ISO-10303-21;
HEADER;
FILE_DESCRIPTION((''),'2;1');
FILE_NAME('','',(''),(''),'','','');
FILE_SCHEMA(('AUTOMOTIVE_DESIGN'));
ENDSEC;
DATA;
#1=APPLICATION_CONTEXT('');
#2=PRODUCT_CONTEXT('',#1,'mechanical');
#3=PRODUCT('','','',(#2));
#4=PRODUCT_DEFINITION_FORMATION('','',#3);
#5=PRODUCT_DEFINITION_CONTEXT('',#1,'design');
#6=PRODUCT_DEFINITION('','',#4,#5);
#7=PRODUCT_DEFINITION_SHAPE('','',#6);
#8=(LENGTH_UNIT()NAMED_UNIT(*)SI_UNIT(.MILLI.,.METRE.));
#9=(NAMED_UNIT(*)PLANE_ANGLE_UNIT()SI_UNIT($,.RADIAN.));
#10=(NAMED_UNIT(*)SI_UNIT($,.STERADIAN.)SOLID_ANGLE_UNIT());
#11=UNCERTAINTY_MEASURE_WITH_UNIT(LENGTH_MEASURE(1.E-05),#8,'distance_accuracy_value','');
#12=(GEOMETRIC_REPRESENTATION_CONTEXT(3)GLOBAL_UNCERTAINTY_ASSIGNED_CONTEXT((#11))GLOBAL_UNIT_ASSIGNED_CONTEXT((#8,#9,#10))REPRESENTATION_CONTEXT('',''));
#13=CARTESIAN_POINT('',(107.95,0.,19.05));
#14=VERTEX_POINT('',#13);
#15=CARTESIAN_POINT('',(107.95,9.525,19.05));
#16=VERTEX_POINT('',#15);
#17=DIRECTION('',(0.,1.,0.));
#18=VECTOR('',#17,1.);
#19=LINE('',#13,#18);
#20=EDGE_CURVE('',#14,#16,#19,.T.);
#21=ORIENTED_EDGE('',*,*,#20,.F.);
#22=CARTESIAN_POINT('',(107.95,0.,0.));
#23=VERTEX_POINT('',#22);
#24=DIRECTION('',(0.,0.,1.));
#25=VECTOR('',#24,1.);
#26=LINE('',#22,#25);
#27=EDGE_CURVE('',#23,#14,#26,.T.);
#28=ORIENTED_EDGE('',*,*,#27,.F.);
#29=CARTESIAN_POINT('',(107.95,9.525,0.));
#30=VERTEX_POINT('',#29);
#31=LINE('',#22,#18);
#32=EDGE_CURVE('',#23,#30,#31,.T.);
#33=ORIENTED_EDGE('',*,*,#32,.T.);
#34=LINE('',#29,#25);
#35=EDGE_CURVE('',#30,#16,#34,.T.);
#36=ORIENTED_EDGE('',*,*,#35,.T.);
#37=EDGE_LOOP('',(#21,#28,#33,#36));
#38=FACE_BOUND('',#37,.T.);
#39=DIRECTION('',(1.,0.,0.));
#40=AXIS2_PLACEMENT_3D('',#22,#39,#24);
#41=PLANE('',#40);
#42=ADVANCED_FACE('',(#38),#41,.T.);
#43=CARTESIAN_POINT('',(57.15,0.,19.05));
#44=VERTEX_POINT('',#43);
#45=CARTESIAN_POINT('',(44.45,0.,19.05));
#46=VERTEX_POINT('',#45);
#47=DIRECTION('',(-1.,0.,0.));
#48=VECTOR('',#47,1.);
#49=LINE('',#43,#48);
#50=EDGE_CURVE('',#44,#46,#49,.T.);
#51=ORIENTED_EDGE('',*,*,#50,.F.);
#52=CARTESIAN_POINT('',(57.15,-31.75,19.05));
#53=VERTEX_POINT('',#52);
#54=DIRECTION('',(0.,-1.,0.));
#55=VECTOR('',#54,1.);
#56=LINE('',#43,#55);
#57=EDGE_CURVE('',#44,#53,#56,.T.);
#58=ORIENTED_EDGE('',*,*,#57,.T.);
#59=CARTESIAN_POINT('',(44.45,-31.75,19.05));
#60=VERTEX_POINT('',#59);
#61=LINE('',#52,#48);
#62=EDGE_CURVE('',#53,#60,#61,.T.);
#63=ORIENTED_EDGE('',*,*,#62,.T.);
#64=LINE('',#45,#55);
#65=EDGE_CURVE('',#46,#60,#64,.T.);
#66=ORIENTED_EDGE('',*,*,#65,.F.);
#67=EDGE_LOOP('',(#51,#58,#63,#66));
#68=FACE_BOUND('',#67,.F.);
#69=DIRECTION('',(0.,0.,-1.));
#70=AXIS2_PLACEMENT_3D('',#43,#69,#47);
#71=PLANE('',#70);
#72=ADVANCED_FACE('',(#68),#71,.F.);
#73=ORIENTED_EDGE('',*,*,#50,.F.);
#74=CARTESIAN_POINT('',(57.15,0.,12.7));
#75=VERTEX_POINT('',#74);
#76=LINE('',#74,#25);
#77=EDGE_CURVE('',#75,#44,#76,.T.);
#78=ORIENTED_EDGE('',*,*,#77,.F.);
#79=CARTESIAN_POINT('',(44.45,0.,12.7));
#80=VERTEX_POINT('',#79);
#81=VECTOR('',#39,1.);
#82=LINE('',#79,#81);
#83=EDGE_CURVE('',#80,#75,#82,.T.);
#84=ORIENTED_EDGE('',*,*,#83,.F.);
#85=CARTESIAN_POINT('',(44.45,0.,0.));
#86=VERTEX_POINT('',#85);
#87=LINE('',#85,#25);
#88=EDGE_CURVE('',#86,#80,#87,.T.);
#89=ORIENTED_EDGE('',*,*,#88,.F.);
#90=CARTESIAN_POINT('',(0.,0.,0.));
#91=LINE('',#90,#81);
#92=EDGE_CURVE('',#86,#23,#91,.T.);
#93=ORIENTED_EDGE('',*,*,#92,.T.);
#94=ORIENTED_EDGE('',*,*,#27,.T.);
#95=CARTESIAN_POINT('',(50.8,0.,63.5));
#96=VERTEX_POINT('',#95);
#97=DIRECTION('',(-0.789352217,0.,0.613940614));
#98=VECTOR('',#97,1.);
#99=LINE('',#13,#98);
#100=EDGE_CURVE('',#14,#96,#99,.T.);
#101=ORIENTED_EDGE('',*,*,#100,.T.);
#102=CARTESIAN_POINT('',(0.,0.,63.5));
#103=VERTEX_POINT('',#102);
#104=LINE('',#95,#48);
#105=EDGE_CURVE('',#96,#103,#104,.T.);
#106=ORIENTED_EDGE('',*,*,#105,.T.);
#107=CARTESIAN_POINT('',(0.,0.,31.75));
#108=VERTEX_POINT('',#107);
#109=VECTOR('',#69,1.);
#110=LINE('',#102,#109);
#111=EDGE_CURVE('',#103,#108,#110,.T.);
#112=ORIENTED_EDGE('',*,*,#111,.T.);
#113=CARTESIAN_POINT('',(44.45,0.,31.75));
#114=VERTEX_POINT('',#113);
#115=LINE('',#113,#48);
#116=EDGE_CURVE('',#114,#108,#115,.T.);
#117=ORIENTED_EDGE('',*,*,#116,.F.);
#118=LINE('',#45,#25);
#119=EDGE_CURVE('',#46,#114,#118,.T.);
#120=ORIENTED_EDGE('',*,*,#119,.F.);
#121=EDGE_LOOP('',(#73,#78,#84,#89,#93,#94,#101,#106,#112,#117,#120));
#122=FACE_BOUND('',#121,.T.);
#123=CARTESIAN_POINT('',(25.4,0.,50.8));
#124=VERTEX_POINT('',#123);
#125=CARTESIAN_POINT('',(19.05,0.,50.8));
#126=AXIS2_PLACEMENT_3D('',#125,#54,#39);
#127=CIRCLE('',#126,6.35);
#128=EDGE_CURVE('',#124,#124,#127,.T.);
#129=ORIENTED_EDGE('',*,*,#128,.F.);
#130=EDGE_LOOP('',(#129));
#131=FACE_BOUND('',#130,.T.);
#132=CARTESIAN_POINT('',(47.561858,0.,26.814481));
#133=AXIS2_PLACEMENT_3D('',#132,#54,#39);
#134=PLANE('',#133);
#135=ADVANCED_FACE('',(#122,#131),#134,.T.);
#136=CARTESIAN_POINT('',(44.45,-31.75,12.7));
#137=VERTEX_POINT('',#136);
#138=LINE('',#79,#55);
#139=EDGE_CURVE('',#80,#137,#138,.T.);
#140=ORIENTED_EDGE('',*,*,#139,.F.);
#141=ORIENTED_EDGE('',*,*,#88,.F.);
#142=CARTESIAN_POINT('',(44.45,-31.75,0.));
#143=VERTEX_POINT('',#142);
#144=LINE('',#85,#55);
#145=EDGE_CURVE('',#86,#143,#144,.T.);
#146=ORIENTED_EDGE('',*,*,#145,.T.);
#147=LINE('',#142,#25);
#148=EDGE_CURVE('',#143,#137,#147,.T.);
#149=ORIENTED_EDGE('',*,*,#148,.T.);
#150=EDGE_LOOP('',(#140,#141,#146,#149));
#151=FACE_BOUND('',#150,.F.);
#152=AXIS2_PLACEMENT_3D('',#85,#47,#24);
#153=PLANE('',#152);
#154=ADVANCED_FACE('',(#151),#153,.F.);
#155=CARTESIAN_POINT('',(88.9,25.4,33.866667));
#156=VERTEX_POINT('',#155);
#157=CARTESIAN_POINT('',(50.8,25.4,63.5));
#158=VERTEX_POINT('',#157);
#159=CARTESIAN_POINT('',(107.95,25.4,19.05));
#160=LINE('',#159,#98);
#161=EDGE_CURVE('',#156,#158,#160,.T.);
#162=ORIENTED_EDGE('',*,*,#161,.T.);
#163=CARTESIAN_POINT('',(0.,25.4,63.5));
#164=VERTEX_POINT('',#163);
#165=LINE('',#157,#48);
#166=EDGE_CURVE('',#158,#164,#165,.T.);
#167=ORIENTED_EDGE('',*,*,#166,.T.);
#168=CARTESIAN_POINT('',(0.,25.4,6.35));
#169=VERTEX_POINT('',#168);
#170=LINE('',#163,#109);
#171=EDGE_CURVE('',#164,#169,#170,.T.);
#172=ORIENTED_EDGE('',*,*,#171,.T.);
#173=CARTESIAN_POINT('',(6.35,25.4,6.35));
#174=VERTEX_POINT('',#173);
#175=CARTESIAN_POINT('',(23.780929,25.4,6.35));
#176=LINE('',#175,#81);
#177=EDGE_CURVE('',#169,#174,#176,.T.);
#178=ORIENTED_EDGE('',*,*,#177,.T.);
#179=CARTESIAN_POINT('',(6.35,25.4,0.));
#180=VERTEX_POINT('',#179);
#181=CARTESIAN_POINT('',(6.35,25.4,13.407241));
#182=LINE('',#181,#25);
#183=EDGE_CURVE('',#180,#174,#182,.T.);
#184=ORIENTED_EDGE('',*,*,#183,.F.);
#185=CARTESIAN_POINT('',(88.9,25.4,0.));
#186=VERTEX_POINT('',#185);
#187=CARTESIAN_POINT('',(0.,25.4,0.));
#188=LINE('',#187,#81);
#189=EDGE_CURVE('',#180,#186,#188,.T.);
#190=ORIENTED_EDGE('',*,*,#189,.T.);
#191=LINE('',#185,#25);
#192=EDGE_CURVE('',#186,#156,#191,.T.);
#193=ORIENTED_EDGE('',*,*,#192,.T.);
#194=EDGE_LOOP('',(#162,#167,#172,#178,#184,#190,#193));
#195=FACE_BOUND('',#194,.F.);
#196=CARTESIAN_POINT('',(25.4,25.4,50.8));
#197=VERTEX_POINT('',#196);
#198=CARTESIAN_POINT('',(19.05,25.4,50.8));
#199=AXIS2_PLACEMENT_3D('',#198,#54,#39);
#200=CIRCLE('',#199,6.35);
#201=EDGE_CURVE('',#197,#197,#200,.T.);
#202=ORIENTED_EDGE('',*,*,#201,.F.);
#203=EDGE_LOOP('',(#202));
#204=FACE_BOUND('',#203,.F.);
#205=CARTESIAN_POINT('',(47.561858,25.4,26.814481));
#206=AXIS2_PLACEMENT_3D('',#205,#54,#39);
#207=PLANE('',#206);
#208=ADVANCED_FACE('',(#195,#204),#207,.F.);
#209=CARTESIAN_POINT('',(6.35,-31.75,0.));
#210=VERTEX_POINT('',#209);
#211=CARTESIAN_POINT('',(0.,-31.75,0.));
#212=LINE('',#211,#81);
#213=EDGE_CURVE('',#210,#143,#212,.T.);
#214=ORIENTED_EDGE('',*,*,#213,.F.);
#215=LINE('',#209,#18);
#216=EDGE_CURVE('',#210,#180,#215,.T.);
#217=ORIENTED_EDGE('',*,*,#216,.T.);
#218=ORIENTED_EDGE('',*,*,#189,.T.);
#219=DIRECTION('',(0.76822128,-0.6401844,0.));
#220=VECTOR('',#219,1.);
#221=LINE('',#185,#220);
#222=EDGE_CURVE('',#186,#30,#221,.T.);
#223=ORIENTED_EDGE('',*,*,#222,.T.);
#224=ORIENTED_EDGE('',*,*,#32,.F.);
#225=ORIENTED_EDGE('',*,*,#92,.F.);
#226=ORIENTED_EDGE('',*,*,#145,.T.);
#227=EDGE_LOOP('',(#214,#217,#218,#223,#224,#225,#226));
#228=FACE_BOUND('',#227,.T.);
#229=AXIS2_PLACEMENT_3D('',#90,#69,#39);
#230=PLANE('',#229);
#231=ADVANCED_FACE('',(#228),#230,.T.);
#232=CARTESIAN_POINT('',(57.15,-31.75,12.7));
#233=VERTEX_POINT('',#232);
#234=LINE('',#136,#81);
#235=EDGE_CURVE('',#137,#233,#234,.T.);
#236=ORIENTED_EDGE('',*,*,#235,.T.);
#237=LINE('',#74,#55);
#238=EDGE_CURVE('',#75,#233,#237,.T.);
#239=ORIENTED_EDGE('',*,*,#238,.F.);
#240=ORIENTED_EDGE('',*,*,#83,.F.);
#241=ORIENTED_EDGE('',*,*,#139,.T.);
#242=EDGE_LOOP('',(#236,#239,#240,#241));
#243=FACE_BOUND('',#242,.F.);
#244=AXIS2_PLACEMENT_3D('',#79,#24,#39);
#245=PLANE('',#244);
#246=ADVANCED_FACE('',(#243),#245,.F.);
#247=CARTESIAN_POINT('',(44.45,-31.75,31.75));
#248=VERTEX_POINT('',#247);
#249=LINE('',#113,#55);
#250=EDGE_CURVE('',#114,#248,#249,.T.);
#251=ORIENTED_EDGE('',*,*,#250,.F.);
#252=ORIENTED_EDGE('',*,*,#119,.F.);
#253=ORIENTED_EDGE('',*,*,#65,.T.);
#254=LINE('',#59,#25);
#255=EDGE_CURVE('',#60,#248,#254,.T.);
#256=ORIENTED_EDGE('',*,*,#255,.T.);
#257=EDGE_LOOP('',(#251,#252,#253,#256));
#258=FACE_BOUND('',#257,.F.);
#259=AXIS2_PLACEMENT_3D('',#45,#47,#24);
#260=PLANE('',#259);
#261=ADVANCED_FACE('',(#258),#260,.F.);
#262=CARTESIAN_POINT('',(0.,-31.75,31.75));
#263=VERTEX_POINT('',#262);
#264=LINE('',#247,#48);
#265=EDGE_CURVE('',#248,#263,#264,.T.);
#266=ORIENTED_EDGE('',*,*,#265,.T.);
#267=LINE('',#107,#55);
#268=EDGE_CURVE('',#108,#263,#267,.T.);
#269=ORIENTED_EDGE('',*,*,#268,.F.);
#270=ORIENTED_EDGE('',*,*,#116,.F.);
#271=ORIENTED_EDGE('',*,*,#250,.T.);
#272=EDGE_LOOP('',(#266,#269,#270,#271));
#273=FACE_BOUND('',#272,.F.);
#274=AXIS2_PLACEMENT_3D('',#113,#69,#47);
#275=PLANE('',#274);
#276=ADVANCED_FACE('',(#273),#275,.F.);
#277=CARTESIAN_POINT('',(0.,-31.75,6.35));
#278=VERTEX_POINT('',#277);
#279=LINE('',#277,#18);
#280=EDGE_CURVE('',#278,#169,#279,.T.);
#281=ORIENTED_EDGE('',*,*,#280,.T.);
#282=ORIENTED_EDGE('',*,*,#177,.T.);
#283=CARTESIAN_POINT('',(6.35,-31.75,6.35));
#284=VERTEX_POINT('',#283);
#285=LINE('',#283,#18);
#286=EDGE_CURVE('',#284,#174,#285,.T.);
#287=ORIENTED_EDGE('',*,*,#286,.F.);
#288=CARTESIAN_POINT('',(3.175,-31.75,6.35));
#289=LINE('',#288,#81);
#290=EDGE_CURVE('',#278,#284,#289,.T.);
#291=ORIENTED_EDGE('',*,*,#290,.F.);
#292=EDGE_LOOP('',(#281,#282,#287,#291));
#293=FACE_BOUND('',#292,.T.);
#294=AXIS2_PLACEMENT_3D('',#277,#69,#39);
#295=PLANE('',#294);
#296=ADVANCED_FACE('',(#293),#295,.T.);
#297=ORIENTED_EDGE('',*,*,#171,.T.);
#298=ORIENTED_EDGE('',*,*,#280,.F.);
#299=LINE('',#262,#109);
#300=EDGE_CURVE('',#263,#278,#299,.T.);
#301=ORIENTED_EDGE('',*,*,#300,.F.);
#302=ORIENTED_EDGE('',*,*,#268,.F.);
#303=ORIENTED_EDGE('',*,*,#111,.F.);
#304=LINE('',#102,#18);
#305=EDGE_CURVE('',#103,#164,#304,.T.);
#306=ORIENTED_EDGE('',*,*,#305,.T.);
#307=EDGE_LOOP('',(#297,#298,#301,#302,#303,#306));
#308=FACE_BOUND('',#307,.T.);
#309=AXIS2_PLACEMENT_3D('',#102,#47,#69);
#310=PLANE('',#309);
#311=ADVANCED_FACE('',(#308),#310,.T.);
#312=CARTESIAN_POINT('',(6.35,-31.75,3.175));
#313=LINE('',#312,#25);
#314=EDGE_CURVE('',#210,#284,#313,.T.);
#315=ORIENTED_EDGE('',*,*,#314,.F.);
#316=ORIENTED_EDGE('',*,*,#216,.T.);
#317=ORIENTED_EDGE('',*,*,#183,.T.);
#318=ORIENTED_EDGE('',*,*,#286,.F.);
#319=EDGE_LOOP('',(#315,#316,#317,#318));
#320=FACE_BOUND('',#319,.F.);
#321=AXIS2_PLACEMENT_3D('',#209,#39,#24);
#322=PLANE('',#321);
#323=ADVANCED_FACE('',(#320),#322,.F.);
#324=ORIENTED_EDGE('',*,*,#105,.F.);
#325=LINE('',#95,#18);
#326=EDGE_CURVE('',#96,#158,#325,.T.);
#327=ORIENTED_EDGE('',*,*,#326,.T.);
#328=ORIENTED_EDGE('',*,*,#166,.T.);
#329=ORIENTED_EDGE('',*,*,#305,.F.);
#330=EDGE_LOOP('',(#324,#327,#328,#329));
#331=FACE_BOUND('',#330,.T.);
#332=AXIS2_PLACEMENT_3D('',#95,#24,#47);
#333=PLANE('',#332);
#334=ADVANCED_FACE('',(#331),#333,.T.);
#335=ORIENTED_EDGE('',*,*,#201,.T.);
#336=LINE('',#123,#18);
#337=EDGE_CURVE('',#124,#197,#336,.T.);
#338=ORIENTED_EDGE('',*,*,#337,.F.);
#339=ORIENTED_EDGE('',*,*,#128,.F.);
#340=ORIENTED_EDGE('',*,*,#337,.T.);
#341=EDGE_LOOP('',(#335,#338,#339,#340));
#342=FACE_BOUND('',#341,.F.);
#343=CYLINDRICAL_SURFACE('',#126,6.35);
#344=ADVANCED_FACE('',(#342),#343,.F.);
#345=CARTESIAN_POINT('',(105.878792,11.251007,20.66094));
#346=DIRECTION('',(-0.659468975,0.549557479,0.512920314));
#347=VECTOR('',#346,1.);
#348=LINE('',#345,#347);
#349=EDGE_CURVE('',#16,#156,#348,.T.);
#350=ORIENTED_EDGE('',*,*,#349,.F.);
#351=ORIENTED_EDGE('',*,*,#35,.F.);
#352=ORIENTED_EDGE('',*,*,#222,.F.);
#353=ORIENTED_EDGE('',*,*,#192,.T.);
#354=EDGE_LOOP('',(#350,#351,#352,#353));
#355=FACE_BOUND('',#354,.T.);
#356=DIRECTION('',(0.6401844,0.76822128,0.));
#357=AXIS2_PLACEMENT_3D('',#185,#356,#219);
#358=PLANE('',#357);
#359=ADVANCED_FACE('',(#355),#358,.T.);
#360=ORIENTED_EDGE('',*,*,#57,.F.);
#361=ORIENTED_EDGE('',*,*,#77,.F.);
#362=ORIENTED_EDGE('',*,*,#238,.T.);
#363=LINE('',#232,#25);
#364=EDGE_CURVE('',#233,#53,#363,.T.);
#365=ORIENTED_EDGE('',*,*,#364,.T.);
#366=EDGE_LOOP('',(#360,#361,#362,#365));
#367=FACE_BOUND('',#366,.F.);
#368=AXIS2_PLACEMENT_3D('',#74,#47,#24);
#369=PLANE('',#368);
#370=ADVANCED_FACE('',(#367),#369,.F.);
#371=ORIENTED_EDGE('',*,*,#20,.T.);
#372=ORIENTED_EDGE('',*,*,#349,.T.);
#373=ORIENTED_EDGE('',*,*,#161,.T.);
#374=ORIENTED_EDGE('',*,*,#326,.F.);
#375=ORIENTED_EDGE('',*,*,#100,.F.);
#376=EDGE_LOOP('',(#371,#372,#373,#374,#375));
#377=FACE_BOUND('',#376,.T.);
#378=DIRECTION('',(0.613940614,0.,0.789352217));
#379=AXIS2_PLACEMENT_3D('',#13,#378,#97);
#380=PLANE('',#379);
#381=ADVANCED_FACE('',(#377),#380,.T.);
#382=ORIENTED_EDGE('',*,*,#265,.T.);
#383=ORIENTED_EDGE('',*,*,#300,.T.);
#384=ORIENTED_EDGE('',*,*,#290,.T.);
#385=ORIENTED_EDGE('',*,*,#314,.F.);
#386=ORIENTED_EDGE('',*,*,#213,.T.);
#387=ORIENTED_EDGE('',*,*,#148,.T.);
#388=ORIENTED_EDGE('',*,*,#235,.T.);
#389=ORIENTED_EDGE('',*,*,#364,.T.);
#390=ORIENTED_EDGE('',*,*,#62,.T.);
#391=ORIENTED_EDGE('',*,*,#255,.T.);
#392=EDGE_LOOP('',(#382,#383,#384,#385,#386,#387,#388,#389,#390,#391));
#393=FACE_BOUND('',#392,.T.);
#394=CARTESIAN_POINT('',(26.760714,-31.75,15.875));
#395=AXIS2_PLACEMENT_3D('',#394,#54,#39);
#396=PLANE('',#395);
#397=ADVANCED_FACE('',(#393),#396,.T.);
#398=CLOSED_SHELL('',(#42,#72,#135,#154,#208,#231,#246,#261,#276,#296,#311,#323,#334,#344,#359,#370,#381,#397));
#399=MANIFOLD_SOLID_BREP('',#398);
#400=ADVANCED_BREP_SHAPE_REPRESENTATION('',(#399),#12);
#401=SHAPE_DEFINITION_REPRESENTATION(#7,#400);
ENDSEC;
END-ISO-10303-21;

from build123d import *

# Parameters (mm, degrees)
F1_DEPTH = 31.75
F2_R     = 6.35
F3_DEPTH = 25.4
F5_DEPTH = 63.501
F6_W     = 6.35
F6_H     = 6.35
F7_DEPTH = 57.151


with BuildPart() as f1:
    # F0 (on Front) → F1 (new body)
    with BuildSketch(Plane.XZ):
        Polygon((0, 31.75), (0, 0), (44.45, 0), (44.45, 12.7), (57.15, 12.7), (57.15, 19.05), (44.45, 19.05), (44.45, 31.75), align=None)
    extrude(amount=F1_DEPTH)

    # F2 (on Front) → F3 (join)
    with BuildSketch(Plane.XZ):
        Polygon((0, 63.5), (0, 0), (107.95, 0), (107.95, 19.05), (50.8, 63.5), align=None)
        with Locations((19.05, 50.8)):
            Circle(F2_R, mode=Mode.SUBTRACT)
    extrude(amount=-F3_DEPTH)

    # F4 (on Top) → F5 (cut, through all)
    with BuildSketch(Plane.XY):
        Polygon((107.95, 25.4), (88.9, 25.4), (107.95, 9.525), align=None)
    extrude(amount=F5_DEPTH, mode=Mode.SUBTRACT)

    # F6 (on face) → F7 (cut, through all)
    with BuildSketch(Plane.XZ.offset(31.75)):
        with Locations((3.175, 3.175)):
            Rectangle(F6_W, F6_H)
    extrude(amount=-F7_DEPTH, mode=Mode.SUBTRACT)


solid = f1.part
